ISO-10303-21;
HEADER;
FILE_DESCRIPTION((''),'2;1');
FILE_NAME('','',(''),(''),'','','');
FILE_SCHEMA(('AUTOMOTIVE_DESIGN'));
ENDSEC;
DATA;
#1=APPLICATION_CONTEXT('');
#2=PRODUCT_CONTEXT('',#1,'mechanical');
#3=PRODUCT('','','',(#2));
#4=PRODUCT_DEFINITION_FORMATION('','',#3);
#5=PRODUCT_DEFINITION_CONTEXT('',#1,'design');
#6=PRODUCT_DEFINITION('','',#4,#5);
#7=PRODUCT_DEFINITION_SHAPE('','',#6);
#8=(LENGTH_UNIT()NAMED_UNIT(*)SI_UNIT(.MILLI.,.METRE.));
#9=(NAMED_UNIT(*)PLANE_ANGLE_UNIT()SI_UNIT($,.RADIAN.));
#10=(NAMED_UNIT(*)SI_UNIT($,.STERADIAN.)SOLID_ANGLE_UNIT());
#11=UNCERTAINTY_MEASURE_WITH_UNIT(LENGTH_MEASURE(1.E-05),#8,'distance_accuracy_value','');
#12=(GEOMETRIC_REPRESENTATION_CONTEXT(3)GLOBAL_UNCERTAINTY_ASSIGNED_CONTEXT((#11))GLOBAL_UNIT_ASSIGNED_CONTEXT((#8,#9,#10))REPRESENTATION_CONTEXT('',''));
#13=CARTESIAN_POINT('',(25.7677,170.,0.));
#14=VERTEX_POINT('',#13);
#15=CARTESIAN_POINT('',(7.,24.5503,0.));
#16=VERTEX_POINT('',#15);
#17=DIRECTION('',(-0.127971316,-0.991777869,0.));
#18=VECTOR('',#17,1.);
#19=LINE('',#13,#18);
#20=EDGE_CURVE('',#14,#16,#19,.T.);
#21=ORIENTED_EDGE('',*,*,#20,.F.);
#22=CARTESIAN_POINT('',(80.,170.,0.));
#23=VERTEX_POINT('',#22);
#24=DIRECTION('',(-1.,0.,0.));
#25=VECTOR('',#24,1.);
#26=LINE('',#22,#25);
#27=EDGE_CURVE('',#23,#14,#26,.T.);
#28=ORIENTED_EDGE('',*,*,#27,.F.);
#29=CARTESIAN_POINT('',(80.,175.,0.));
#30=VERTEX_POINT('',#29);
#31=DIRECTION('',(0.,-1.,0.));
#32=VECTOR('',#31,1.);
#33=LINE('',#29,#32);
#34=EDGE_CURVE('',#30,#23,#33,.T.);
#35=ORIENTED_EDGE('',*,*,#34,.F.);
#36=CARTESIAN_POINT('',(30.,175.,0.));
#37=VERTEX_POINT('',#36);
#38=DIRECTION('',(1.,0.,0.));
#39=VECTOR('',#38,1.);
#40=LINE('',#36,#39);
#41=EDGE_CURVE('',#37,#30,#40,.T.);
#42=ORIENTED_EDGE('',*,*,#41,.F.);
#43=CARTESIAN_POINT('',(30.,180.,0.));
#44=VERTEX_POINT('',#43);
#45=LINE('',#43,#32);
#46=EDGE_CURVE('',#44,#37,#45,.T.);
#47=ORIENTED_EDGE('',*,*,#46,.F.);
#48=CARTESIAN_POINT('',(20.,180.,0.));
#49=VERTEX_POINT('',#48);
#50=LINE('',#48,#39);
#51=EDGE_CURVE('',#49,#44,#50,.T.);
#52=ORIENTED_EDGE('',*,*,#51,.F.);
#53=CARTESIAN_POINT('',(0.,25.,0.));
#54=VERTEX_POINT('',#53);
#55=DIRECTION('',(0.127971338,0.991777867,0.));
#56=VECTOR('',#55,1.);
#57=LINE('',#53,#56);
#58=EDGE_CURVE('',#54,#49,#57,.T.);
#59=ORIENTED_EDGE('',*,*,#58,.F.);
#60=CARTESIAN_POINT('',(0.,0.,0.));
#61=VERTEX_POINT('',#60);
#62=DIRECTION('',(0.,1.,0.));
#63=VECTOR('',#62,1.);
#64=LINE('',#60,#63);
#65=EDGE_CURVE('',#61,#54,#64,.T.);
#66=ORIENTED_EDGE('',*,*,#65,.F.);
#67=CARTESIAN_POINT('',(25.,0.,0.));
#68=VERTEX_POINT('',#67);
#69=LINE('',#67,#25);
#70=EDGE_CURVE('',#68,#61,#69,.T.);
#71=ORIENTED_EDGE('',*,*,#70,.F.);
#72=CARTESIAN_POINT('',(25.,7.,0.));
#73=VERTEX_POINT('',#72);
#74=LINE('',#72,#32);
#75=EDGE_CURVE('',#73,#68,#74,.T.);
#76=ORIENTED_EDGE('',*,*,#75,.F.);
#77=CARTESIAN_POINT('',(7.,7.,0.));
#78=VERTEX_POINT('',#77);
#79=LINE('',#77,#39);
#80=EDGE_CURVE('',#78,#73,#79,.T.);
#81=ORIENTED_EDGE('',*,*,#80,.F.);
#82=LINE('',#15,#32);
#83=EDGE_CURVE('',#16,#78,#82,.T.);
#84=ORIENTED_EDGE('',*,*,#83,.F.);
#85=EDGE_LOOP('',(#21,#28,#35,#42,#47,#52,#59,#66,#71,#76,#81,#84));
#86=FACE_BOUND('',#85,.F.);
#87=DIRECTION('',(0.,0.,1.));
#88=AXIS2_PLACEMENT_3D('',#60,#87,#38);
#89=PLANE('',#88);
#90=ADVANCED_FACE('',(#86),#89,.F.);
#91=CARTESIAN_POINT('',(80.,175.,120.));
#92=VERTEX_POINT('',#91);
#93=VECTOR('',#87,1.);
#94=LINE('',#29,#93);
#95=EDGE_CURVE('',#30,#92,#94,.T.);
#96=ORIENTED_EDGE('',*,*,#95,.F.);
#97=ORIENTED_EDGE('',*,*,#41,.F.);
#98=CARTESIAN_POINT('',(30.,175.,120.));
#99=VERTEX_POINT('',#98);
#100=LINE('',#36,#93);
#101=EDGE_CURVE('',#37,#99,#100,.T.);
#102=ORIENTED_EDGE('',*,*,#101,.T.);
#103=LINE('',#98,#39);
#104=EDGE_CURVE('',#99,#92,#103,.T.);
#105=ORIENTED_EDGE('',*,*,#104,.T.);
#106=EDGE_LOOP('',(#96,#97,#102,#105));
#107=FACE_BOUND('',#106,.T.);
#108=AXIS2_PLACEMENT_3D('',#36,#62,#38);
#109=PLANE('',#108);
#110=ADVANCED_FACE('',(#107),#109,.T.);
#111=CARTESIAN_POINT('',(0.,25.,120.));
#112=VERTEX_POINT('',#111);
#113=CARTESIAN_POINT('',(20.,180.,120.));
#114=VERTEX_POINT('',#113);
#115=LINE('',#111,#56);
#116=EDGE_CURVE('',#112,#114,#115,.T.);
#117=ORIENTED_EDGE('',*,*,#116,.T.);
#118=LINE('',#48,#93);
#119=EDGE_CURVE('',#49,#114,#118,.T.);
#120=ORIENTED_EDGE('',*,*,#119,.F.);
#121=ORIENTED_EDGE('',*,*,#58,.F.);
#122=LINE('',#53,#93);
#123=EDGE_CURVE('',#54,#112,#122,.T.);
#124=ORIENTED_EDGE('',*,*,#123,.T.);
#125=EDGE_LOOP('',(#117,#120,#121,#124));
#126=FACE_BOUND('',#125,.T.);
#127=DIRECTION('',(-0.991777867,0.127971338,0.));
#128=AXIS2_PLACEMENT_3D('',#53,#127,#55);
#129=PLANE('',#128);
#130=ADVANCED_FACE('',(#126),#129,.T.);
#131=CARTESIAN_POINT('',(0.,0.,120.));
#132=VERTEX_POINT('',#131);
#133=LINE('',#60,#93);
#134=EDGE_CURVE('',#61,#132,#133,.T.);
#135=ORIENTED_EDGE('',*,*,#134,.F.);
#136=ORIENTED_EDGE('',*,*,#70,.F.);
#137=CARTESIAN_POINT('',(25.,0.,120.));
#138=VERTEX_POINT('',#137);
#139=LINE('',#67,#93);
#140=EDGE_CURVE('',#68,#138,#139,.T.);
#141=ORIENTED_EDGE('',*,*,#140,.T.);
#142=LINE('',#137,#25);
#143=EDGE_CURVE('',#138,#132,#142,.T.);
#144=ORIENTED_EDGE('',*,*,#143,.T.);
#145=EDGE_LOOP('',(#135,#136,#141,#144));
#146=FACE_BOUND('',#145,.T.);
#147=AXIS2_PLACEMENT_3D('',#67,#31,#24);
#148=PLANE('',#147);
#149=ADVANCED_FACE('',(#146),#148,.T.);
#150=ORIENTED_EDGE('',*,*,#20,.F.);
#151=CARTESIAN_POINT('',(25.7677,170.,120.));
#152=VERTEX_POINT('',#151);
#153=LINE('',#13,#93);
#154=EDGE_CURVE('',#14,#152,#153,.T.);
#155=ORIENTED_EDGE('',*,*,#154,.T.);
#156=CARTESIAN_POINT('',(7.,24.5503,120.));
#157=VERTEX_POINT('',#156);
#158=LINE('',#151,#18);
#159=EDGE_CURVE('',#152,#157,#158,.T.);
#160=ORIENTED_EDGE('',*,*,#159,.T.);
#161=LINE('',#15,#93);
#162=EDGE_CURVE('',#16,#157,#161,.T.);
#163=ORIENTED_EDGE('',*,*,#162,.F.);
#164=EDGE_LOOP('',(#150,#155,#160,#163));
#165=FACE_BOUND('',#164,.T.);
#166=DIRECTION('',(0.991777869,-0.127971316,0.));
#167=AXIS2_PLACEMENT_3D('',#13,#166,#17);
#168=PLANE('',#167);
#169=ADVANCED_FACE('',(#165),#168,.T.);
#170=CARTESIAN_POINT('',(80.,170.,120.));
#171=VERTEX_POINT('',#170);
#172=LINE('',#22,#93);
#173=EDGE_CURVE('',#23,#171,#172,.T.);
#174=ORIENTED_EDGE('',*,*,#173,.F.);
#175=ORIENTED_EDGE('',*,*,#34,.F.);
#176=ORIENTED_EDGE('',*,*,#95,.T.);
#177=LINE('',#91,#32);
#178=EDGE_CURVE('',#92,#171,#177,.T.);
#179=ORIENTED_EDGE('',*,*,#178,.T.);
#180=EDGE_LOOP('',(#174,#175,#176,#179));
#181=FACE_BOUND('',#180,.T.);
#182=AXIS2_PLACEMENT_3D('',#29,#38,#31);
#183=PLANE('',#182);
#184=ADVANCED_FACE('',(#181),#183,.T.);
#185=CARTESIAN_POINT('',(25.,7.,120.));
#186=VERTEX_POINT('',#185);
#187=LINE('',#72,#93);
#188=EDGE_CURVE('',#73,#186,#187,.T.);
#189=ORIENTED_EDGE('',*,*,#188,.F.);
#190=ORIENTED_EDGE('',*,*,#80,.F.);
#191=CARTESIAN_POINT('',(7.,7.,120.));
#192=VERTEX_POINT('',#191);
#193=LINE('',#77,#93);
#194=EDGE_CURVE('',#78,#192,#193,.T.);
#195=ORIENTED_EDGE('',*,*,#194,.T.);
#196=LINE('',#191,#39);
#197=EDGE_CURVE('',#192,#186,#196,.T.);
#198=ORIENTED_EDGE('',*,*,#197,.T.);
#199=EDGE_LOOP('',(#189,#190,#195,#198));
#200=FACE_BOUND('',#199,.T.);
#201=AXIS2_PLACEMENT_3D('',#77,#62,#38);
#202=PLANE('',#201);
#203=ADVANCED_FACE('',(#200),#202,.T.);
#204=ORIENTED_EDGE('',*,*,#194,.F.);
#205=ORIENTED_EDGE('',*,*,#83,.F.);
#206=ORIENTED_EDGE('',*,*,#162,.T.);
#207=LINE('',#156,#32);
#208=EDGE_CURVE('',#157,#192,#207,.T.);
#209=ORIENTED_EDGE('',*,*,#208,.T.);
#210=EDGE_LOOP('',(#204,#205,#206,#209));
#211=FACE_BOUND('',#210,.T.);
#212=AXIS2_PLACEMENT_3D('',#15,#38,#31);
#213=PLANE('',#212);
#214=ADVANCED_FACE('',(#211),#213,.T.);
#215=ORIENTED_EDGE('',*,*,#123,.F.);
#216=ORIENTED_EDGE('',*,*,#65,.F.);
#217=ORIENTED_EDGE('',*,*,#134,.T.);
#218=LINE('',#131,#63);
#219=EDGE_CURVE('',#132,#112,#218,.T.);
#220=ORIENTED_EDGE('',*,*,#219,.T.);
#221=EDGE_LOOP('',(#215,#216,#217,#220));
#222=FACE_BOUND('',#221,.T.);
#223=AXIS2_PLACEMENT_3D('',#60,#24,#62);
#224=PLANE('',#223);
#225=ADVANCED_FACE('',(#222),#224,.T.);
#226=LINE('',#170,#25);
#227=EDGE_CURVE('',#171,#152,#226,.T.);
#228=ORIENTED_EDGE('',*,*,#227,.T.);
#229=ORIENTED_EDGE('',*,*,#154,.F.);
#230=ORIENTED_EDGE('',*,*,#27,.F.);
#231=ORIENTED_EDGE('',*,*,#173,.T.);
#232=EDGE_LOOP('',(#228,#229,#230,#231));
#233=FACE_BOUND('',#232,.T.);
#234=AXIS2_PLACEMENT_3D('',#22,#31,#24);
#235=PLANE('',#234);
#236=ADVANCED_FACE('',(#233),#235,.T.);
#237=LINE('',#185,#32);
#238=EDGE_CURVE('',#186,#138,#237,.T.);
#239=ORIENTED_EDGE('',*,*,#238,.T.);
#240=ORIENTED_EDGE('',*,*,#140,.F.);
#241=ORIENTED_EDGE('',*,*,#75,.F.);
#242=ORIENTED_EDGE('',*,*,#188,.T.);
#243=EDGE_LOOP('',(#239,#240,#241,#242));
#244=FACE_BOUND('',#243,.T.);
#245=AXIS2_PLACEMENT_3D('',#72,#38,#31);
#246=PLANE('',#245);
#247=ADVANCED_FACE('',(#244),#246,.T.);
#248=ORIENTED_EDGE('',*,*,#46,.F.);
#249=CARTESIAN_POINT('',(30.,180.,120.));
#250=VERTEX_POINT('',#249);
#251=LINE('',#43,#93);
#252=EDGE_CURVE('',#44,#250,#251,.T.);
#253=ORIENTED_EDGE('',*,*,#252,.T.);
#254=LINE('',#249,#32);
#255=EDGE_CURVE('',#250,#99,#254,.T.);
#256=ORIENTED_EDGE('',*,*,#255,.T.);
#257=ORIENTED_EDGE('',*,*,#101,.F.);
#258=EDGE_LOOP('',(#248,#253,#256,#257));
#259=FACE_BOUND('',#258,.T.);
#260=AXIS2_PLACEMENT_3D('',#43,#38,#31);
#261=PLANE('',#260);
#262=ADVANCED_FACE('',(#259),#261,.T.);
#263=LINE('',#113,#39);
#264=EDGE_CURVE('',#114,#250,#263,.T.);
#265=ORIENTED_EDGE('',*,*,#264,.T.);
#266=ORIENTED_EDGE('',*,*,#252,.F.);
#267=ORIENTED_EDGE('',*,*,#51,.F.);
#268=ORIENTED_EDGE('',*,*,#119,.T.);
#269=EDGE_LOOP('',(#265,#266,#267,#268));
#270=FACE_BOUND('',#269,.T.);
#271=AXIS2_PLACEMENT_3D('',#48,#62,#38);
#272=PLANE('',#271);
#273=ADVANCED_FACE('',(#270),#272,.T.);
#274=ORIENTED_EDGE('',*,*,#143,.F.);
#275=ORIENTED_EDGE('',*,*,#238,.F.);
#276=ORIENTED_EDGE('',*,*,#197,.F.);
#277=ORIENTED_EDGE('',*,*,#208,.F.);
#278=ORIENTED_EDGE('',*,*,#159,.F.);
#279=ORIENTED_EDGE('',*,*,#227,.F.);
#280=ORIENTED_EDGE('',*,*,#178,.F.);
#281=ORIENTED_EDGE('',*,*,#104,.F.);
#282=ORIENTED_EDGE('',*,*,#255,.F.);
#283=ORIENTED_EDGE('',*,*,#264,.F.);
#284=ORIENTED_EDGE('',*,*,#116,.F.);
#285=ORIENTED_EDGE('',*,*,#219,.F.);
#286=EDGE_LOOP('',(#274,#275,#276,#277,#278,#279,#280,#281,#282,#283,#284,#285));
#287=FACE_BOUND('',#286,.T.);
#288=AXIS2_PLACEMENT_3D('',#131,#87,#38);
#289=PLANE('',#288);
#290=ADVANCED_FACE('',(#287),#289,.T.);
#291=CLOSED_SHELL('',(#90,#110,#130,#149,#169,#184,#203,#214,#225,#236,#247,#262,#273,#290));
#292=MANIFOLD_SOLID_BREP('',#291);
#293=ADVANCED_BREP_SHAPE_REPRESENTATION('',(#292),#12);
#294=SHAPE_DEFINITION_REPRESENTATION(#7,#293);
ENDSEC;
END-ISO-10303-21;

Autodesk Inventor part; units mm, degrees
ref_plane "Piano YZ" through (0, 0, 0) normal (1, 0, 0) x (0, 1, 0)
ref_plane "Piano XZ" through (0, 0, 0) normal (0, 1, 0) x (-1, 0, 0)
ref_plane "Piano XY" through (0, 0, 0) normal (0, 0, 1) x (1, 0, 0)
sketch "Schizzo1" plane through (0, 0, 0) normal (0, 0, 1) x (1, 0, 0)
  line L0 (25, 0) -> (0, 0)
  line L1 (0, 0) -> (0, 25)
  line L2 (0, 25) -> (20, 180)
  line L3 (20, 180) -> (30, 180)
  line L4 (30, 180) -> (30, 175)
  line L5 (30, 175) -> (80, 175)
  line L6 (80, 175) -> (80, 170)
  line L7 (80, 170) -> (25.7677, 170)
  line L8 (25.7677, 170) -> (7, 24.5503)
  line L9 (7, 24.5503) -> (7, 7)
  line L10 (7, 7) -> (25, 7)
  line L11 (25, 7) -> (25, 0)
  dimension "d0" = 7
  dimension "d1" = 7
  dimension "d2" = 7
  dimension "d3" = 10
  dimension "d4" = 5
  dimension "d5" = 25
  dimension "d6" = 180
  dimension "d7" = 10
  dimension "d8" = 50
  dimension "d9" = 20
  dimension "d10" = 25
extrude "Estrusione1" add sketch "Schizzo1" along normal blind 120
properties part number "ROVER_carrozzeria_2"
